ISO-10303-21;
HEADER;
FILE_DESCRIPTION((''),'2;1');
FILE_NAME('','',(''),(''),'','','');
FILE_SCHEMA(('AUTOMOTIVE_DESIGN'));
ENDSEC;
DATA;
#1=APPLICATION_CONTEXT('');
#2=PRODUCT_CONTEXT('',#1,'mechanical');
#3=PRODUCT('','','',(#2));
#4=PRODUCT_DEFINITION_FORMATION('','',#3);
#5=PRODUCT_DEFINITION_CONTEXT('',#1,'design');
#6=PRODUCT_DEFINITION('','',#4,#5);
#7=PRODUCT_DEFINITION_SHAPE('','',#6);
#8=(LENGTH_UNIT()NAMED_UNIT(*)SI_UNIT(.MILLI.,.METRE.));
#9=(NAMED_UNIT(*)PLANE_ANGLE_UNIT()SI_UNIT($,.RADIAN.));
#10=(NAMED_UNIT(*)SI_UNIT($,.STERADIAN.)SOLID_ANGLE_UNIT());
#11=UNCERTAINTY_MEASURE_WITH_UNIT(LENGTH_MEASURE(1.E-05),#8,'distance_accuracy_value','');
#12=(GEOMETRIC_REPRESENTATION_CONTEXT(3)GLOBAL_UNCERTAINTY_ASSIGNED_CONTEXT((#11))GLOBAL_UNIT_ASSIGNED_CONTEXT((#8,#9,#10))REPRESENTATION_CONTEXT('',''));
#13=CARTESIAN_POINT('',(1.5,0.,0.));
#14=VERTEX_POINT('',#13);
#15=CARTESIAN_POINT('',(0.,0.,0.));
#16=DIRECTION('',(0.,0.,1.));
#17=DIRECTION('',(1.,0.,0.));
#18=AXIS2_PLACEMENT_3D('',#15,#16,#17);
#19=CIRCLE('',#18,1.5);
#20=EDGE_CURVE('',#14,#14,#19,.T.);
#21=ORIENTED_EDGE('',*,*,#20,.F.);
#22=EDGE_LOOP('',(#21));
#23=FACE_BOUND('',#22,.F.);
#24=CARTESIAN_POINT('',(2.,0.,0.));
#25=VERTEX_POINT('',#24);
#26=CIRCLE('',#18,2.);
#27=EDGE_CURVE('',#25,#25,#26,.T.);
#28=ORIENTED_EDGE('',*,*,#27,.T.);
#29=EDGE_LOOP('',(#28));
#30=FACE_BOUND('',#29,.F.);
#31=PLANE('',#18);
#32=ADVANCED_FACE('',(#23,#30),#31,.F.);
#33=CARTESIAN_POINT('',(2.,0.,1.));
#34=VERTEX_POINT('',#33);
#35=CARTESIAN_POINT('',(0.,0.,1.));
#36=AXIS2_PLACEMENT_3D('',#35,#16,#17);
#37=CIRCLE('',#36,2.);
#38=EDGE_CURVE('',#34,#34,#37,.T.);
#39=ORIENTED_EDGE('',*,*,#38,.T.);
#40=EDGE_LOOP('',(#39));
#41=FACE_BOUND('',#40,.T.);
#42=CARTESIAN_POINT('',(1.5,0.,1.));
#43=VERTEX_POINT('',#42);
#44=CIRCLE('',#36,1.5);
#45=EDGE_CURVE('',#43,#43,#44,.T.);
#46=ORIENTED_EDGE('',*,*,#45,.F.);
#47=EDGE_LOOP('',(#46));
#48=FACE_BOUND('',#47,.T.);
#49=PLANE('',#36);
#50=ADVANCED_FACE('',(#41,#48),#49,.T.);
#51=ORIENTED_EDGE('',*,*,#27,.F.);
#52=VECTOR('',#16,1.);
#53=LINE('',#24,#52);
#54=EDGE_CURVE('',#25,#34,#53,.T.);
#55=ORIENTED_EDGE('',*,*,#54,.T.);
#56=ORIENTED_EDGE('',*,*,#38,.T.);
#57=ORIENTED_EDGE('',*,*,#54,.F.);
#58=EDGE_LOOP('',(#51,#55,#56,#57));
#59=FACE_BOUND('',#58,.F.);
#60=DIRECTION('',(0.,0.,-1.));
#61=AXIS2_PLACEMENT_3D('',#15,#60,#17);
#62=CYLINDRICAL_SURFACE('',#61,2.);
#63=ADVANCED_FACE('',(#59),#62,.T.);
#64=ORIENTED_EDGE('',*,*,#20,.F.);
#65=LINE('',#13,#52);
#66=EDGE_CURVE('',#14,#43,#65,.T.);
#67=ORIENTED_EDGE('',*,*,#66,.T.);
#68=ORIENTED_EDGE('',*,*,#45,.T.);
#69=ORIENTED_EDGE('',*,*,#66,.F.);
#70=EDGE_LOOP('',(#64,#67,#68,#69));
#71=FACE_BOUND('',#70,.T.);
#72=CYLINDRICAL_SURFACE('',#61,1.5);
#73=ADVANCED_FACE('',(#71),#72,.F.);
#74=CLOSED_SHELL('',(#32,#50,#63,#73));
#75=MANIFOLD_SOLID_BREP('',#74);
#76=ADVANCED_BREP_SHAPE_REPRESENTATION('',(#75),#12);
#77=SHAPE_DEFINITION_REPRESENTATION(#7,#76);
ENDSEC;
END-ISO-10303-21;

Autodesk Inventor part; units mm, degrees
ref_plane "YZ Plane" through (0, 0, 0) normal (1, 0, 0) x (0, 1, 0)
ref_plane "XZ Plane" through (0, 0, 0) normal (0, 1, 0) x (-1, 0, 0)
ref_plane "XY Plane" through (0, 0, 0) normal (0, 0, 1) x (1, 0, 0)
sketch "スケッチ1" plane through (0, 0, 0) normal (0, 0, 1) x (1, 0, 0)
  circle A0 centre (0, 0) radius 1.5
  circle A1 centre (0, 0) radius 2
  dimension "d0" = 3
  dimension "d1" = 0.5
extrude "押し出し1" add sketch "スケッチ1" along normal blind 1
properties part number "spacer-outwheel-m3-1"
